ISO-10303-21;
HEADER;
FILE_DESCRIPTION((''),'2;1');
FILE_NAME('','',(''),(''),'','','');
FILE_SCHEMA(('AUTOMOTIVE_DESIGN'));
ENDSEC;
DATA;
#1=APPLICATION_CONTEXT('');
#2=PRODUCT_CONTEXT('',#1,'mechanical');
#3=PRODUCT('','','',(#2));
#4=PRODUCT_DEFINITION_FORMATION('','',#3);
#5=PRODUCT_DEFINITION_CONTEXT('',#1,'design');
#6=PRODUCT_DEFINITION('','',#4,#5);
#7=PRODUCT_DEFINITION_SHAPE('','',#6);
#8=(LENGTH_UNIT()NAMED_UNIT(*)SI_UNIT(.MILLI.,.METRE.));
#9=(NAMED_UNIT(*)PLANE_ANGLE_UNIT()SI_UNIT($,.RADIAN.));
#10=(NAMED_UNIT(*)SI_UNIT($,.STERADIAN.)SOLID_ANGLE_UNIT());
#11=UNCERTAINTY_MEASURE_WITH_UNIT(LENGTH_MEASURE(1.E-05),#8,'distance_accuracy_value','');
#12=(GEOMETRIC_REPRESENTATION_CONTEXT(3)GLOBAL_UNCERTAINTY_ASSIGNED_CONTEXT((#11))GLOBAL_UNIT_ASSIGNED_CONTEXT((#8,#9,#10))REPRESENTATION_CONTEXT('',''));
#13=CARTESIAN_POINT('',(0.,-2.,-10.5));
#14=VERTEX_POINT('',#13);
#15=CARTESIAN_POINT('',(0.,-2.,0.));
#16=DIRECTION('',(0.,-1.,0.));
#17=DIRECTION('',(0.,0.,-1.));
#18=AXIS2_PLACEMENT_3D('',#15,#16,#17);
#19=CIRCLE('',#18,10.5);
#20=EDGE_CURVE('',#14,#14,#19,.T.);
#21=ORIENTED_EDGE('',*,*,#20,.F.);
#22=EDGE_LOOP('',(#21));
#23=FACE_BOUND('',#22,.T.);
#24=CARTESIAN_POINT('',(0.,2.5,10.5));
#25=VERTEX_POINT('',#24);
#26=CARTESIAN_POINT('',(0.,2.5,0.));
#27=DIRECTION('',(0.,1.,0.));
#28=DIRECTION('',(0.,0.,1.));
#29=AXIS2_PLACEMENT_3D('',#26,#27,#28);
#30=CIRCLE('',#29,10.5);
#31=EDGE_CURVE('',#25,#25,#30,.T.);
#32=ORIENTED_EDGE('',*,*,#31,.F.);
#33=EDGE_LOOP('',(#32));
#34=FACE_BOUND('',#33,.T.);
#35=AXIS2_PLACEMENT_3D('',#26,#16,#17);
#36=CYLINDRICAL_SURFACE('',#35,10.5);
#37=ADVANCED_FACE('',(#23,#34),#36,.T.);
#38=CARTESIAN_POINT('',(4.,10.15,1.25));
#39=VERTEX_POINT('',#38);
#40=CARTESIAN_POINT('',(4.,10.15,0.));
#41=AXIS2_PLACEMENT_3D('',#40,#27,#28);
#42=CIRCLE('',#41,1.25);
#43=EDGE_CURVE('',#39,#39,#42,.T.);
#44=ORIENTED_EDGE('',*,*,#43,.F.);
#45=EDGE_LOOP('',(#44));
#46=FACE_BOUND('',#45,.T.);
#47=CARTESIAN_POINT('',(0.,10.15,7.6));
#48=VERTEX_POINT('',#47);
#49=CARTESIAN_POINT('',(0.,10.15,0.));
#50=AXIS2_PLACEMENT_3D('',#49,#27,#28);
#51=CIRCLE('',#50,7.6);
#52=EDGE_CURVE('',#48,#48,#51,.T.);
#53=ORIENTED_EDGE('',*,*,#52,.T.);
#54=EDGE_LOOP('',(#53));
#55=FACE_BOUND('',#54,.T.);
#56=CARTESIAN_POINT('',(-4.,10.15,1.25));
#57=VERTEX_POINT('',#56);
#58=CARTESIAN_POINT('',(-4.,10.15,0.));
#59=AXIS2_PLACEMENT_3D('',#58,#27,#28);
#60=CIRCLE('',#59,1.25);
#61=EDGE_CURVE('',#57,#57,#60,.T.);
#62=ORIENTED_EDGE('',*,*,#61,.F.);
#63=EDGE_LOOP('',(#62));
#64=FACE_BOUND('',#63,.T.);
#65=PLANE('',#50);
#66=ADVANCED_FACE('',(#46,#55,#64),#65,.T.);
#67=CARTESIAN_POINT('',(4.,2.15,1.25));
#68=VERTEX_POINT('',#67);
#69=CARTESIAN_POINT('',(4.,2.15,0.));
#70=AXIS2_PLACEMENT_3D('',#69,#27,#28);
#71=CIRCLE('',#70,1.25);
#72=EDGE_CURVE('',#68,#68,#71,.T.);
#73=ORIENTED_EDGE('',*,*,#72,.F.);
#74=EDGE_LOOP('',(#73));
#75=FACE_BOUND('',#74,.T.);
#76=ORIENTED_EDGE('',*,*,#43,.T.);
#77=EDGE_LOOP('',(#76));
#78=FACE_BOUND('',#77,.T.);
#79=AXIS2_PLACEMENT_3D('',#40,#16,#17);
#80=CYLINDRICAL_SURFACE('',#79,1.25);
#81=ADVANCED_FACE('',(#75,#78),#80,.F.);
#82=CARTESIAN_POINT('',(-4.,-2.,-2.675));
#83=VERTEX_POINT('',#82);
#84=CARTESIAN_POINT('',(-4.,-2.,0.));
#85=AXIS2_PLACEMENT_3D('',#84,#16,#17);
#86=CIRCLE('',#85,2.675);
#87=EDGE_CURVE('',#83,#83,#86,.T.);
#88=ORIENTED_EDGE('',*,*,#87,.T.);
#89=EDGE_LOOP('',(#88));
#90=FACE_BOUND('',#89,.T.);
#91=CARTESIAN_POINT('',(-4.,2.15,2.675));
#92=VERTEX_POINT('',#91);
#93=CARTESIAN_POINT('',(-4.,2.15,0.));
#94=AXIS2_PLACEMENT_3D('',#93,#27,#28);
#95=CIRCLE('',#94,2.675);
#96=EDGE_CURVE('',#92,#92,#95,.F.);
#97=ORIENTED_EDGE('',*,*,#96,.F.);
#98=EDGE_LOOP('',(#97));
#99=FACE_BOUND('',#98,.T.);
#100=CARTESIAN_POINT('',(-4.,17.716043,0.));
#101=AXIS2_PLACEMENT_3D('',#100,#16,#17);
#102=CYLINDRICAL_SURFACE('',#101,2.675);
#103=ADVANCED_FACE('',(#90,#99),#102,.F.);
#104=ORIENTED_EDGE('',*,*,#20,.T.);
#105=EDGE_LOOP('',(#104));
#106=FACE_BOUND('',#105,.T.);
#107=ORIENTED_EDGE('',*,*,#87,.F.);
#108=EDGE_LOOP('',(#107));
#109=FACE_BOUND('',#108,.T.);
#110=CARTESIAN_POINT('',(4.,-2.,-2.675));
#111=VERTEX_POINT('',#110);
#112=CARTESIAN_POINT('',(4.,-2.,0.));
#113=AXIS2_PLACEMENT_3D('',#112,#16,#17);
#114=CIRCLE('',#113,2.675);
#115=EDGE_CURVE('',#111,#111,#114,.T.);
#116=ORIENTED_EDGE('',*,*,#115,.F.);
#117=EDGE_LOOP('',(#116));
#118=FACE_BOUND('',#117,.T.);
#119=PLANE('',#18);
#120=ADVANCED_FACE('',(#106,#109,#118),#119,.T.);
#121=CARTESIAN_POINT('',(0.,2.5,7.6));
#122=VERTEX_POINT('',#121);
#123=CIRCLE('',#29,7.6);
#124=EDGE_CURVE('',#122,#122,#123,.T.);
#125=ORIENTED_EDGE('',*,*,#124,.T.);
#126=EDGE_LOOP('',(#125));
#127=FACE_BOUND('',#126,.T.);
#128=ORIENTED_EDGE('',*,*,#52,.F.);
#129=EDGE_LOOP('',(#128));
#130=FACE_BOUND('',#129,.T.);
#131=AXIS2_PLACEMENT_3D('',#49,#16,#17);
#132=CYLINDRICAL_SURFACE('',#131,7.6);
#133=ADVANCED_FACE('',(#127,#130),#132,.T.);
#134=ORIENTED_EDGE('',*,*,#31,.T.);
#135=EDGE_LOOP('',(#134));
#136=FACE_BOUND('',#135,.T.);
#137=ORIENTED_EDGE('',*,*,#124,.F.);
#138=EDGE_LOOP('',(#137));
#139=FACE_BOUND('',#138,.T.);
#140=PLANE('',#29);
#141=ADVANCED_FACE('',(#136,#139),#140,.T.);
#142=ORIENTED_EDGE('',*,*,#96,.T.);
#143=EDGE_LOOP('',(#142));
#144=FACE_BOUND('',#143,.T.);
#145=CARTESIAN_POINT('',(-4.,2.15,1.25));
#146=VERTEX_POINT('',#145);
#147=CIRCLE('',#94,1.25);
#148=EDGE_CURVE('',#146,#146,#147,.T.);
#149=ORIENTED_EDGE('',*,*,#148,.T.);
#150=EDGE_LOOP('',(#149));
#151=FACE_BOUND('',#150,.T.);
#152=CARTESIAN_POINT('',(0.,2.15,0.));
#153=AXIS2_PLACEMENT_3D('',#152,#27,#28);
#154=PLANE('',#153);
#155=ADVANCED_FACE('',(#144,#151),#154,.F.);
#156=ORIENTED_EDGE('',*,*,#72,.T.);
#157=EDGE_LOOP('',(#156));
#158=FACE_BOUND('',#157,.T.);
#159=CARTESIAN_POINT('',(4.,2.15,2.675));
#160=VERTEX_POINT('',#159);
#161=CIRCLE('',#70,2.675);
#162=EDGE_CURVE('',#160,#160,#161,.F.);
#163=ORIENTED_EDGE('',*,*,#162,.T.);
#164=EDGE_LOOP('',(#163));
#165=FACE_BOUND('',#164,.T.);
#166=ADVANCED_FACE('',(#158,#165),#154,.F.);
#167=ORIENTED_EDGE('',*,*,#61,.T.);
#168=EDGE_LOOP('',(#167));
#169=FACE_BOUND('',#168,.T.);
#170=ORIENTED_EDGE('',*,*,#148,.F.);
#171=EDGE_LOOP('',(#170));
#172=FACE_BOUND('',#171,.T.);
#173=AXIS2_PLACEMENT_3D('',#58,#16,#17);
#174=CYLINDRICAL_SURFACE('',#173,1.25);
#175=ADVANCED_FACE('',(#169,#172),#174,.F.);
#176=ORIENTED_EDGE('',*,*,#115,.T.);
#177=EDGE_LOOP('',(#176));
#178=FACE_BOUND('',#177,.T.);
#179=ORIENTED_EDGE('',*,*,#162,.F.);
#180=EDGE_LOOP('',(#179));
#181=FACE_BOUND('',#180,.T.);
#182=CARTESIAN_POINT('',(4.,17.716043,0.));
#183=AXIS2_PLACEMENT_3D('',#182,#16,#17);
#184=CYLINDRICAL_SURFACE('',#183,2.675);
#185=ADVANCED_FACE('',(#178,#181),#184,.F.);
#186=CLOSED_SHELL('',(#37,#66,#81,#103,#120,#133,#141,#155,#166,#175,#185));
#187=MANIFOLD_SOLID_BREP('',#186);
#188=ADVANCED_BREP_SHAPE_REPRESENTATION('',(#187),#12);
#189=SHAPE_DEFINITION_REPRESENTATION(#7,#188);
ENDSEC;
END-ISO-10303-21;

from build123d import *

# Parameters (mm, degrees)
SKETCH2_R           = 7.6
SKETCH2_R_2         = 1.25
BOSS_EXTRUDE2_DEPTH = 10.15
SKETCH3_R           = 10.5
SKETCH3_R_2         = 1.25
BOSS_EXTRUDE3_DEPTH = 2.5
SKETCH4_R           = 2.675
CUT_EXTRUDE1_DEPTH  = 2.15
SKETCH5_R           = 10.5
SKETCH5_R_2         = 2.675
BOSS_EXTRUDE4_DEPTH = 2


with BuildPart() as part:
    # Sketch2 → Boss-Extrude2 (new body)
    with BuildSketch(Plane(origin=(0, 0, 0), x_dir=(1, 0, 0), z_dir=(0, 1, 0))):
        Circle(SKETCH2_R)
        with Locations((4, 0)):
            Circle(SKETCH2_R_2, mode=Mode.SUBTRACT)
        with Locations((-4, 0)):
            Circle(SKETCH2_R_2, mode=Mode.SUBTRACT)
    extrude(amount=BOSS_EXTRUDE2_DEPTH)

    # Sketch3 → Boss-Extrude3 (add)
    with BuildSketch(Plane(origin=(0, 0, 0), x_dir=(1, 0, 0), z_dir=(0, 1, 0))):
        Circle(SKETCH3_R)
        with Locations((-4, 0)):
            Circle(SKETCH3_R_2, mode=Mode.SUBTRACT)
        with Locations((4, 0)):
            Circle(SKETCH3_R_2, mode=Mode.SUBTRACT)
    extrude(amount=BOSS_EXTRUDE3_DEPTH)

    # Sketch4 → Cut-Extrude1 (cut)
    with BuildSketch(Plane.XZ):
        with Locations((4, 0)):
            Circle(SKETCH4_R)
        with Locations((-4, 0)):
            Circle(SKETCH4_R)
    extrude(amount=-CUT_EXTRUDE1_DEPTH, mode=Mode.SUBTRACT)

    # Sketch5 → Boss-Extrude4 (add)
    with BuildSketch(Plane.XZ):
        Circle(SKETCH5_R)
        with Locations((-4, 0)):
            Circle(SKETCH5_R_2, mode=Mode.SUBTRACT)
        with Locations((4, 0)):
            Circle(SKETCH5_R_2, mode=Mode.SUBTRACT)
    extrude(amount=BOSS_EXTRUDE4_DEPTH)


solid = part.part
